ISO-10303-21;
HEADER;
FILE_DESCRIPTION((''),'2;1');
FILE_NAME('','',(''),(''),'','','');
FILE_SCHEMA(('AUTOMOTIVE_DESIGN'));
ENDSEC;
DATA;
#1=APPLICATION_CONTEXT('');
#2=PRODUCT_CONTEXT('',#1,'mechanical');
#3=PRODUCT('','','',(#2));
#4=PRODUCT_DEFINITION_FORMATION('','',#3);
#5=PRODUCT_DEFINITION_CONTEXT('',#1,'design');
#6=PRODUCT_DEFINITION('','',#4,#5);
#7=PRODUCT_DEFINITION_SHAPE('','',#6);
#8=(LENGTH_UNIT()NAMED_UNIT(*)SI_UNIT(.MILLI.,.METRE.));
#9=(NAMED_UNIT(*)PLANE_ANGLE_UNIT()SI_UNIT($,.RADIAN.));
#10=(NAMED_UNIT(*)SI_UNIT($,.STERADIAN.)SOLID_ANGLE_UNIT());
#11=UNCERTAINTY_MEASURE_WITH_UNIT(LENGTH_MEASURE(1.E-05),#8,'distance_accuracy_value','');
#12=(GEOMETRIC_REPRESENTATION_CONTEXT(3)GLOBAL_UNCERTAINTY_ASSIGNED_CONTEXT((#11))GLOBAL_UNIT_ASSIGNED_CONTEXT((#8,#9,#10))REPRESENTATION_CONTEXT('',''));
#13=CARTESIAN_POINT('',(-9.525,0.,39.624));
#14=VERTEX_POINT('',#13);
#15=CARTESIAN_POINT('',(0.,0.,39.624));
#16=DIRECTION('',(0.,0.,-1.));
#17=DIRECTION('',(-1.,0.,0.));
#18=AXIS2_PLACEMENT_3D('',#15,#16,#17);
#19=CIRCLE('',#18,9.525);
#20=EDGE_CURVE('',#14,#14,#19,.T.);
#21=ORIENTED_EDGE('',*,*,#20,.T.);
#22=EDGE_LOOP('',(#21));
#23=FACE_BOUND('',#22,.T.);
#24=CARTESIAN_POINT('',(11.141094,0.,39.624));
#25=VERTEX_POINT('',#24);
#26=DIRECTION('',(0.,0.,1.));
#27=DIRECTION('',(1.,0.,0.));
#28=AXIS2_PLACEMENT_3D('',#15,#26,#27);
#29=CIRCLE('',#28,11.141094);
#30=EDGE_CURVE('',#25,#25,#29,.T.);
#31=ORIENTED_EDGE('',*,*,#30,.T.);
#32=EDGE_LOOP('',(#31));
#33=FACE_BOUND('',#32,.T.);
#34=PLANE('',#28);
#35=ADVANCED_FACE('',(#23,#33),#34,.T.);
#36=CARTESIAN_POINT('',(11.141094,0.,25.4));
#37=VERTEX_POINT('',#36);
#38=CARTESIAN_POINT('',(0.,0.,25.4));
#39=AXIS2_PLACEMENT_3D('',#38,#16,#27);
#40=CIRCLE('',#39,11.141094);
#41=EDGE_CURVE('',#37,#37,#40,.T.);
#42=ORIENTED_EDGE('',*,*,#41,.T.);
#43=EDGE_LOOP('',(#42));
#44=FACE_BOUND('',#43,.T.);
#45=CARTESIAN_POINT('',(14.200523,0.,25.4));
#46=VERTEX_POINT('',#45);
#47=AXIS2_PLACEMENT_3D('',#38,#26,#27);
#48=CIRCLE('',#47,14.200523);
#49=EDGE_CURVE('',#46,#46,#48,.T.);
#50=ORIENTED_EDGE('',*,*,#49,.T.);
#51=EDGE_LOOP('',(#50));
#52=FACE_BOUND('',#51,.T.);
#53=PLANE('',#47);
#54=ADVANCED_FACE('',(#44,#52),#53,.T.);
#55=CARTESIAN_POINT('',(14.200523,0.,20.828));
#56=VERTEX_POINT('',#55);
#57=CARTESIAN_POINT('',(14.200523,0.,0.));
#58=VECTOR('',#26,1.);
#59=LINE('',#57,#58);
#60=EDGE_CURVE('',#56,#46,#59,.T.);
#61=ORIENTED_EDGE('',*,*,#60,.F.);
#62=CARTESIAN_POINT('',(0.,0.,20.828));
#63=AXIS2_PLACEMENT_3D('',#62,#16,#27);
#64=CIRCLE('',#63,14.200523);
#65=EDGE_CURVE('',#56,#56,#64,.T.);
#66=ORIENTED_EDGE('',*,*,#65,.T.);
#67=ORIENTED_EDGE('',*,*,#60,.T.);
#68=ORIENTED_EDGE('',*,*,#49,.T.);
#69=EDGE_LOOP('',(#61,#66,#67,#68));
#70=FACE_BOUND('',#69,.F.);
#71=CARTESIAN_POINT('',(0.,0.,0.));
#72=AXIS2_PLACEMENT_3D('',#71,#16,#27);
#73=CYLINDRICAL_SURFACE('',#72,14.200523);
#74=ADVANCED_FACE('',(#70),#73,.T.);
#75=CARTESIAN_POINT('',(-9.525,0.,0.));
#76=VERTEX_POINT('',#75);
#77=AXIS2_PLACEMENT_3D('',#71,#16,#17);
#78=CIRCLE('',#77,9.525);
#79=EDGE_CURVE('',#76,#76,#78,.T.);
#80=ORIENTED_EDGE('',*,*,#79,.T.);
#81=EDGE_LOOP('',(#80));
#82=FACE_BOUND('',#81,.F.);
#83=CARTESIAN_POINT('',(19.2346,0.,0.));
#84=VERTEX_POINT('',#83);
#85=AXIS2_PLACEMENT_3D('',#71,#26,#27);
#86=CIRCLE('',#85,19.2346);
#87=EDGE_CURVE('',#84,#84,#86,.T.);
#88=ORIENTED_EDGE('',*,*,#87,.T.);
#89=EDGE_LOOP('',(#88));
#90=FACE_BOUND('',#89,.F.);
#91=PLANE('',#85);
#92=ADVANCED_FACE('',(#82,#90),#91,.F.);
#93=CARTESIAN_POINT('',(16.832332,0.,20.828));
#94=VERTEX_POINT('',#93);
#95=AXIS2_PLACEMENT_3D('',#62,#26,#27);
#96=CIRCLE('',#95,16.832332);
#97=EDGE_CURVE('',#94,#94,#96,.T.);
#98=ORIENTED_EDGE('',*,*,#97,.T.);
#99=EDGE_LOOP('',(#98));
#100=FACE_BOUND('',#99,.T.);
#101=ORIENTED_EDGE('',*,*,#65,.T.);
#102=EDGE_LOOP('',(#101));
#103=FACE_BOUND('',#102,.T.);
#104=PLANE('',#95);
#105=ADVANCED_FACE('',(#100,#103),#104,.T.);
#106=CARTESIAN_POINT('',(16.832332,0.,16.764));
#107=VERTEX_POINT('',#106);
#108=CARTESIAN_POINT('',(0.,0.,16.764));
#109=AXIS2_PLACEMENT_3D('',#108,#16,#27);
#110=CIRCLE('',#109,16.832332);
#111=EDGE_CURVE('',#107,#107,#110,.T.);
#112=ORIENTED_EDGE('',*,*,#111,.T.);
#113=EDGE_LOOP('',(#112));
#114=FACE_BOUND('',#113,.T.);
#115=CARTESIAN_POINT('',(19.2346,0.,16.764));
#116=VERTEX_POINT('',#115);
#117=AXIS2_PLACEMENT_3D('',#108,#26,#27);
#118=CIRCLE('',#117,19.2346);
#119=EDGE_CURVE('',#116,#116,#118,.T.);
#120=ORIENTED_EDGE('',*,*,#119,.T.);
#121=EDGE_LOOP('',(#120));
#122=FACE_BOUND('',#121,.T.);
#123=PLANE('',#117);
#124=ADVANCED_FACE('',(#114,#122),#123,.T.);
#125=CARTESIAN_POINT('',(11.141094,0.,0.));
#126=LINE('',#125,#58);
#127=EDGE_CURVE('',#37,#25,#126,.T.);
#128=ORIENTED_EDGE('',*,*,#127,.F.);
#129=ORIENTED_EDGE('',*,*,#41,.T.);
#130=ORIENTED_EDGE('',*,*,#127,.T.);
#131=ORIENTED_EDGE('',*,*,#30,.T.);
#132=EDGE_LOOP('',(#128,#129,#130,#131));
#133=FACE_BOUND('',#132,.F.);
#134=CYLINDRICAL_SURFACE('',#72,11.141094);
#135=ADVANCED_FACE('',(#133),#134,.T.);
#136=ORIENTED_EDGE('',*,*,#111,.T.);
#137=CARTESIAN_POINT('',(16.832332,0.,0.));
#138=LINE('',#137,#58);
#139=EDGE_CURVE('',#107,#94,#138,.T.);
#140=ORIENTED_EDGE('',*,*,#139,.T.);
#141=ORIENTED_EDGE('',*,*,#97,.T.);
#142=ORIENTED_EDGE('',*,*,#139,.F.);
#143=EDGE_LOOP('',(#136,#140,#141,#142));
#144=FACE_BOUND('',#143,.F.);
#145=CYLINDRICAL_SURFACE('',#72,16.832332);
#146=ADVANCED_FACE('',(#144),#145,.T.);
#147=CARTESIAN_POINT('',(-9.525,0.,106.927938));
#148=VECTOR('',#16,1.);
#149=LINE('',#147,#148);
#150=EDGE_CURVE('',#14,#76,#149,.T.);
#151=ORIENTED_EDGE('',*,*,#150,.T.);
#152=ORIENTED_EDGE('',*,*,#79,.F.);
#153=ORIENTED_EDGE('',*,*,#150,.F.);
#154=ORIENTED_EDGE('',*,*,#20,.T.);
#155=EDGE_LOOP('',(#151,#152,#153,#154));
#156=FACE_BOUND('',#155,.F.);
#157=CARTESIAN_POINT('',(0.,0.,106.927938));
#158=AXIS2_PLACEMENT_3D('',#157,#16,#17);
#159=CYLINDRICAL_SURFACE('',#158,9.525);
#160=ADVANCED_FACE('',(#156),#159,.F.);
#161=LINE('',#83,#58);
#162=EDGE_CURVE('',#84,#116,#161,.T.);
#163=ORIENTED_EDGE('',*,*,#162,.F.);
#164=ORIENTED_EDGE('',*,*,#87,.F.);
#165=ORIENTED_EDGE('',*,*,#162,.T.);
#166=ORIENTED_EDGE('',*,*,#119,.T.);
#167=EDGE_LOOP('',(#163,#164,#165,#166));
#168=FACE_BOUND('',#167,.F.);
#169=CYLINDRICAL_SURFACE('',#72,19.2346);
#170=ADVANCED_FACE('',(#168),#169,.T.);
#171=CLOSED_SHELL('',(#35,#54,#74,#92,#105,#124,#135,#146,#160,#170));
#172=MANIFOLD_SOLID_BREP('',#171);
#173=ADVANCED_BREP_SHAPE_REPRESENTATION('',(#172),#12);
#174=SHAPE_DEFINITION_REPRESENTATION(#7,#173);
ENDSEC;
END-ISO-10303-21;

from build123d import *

# Parameters (mm, degrees)
F0_R     = 19.2346
F1_DEPTH = 16.764
F2_R     = 16.832332
F3_DEPTH = 20.828
F4_R     = 14.200523
F5_DEPTH = 25.4
F6_R     = 11.141094
F7_DEPTH = 39.624
F9_D     = 19.05


with BuildPart() as f1:
    # F0 (on Top) → F1 (new body)
    with BuildSketch(Plane.XY):
        Circle(F0_R)
    extrude(amount=F1_DEPTH)

    # F2 (on Top) → F3 (join)
    with BuildSketch(Plane.XY):
        Circle(F2_R)
    extrude(amount=F3_DEPTH)

    # F4 (on Top) → F5 (join)
    with BuildSketch(Plane.XY):
        Circle(F4_R)
    extrude(amount=F5_DEPTH)

    # F6 (on Top) → F7 (join)
    with BuildSketch(Plane.XY):
        Circle(F6_R)
    extrude(amount=F7_DEPTH)

    # F9 (through all)
    with Locations(Plane.XY.offset(39.624)):
        with Locations((0, 0)):
            Hole(F9_D / 2)


solid = f1.part
